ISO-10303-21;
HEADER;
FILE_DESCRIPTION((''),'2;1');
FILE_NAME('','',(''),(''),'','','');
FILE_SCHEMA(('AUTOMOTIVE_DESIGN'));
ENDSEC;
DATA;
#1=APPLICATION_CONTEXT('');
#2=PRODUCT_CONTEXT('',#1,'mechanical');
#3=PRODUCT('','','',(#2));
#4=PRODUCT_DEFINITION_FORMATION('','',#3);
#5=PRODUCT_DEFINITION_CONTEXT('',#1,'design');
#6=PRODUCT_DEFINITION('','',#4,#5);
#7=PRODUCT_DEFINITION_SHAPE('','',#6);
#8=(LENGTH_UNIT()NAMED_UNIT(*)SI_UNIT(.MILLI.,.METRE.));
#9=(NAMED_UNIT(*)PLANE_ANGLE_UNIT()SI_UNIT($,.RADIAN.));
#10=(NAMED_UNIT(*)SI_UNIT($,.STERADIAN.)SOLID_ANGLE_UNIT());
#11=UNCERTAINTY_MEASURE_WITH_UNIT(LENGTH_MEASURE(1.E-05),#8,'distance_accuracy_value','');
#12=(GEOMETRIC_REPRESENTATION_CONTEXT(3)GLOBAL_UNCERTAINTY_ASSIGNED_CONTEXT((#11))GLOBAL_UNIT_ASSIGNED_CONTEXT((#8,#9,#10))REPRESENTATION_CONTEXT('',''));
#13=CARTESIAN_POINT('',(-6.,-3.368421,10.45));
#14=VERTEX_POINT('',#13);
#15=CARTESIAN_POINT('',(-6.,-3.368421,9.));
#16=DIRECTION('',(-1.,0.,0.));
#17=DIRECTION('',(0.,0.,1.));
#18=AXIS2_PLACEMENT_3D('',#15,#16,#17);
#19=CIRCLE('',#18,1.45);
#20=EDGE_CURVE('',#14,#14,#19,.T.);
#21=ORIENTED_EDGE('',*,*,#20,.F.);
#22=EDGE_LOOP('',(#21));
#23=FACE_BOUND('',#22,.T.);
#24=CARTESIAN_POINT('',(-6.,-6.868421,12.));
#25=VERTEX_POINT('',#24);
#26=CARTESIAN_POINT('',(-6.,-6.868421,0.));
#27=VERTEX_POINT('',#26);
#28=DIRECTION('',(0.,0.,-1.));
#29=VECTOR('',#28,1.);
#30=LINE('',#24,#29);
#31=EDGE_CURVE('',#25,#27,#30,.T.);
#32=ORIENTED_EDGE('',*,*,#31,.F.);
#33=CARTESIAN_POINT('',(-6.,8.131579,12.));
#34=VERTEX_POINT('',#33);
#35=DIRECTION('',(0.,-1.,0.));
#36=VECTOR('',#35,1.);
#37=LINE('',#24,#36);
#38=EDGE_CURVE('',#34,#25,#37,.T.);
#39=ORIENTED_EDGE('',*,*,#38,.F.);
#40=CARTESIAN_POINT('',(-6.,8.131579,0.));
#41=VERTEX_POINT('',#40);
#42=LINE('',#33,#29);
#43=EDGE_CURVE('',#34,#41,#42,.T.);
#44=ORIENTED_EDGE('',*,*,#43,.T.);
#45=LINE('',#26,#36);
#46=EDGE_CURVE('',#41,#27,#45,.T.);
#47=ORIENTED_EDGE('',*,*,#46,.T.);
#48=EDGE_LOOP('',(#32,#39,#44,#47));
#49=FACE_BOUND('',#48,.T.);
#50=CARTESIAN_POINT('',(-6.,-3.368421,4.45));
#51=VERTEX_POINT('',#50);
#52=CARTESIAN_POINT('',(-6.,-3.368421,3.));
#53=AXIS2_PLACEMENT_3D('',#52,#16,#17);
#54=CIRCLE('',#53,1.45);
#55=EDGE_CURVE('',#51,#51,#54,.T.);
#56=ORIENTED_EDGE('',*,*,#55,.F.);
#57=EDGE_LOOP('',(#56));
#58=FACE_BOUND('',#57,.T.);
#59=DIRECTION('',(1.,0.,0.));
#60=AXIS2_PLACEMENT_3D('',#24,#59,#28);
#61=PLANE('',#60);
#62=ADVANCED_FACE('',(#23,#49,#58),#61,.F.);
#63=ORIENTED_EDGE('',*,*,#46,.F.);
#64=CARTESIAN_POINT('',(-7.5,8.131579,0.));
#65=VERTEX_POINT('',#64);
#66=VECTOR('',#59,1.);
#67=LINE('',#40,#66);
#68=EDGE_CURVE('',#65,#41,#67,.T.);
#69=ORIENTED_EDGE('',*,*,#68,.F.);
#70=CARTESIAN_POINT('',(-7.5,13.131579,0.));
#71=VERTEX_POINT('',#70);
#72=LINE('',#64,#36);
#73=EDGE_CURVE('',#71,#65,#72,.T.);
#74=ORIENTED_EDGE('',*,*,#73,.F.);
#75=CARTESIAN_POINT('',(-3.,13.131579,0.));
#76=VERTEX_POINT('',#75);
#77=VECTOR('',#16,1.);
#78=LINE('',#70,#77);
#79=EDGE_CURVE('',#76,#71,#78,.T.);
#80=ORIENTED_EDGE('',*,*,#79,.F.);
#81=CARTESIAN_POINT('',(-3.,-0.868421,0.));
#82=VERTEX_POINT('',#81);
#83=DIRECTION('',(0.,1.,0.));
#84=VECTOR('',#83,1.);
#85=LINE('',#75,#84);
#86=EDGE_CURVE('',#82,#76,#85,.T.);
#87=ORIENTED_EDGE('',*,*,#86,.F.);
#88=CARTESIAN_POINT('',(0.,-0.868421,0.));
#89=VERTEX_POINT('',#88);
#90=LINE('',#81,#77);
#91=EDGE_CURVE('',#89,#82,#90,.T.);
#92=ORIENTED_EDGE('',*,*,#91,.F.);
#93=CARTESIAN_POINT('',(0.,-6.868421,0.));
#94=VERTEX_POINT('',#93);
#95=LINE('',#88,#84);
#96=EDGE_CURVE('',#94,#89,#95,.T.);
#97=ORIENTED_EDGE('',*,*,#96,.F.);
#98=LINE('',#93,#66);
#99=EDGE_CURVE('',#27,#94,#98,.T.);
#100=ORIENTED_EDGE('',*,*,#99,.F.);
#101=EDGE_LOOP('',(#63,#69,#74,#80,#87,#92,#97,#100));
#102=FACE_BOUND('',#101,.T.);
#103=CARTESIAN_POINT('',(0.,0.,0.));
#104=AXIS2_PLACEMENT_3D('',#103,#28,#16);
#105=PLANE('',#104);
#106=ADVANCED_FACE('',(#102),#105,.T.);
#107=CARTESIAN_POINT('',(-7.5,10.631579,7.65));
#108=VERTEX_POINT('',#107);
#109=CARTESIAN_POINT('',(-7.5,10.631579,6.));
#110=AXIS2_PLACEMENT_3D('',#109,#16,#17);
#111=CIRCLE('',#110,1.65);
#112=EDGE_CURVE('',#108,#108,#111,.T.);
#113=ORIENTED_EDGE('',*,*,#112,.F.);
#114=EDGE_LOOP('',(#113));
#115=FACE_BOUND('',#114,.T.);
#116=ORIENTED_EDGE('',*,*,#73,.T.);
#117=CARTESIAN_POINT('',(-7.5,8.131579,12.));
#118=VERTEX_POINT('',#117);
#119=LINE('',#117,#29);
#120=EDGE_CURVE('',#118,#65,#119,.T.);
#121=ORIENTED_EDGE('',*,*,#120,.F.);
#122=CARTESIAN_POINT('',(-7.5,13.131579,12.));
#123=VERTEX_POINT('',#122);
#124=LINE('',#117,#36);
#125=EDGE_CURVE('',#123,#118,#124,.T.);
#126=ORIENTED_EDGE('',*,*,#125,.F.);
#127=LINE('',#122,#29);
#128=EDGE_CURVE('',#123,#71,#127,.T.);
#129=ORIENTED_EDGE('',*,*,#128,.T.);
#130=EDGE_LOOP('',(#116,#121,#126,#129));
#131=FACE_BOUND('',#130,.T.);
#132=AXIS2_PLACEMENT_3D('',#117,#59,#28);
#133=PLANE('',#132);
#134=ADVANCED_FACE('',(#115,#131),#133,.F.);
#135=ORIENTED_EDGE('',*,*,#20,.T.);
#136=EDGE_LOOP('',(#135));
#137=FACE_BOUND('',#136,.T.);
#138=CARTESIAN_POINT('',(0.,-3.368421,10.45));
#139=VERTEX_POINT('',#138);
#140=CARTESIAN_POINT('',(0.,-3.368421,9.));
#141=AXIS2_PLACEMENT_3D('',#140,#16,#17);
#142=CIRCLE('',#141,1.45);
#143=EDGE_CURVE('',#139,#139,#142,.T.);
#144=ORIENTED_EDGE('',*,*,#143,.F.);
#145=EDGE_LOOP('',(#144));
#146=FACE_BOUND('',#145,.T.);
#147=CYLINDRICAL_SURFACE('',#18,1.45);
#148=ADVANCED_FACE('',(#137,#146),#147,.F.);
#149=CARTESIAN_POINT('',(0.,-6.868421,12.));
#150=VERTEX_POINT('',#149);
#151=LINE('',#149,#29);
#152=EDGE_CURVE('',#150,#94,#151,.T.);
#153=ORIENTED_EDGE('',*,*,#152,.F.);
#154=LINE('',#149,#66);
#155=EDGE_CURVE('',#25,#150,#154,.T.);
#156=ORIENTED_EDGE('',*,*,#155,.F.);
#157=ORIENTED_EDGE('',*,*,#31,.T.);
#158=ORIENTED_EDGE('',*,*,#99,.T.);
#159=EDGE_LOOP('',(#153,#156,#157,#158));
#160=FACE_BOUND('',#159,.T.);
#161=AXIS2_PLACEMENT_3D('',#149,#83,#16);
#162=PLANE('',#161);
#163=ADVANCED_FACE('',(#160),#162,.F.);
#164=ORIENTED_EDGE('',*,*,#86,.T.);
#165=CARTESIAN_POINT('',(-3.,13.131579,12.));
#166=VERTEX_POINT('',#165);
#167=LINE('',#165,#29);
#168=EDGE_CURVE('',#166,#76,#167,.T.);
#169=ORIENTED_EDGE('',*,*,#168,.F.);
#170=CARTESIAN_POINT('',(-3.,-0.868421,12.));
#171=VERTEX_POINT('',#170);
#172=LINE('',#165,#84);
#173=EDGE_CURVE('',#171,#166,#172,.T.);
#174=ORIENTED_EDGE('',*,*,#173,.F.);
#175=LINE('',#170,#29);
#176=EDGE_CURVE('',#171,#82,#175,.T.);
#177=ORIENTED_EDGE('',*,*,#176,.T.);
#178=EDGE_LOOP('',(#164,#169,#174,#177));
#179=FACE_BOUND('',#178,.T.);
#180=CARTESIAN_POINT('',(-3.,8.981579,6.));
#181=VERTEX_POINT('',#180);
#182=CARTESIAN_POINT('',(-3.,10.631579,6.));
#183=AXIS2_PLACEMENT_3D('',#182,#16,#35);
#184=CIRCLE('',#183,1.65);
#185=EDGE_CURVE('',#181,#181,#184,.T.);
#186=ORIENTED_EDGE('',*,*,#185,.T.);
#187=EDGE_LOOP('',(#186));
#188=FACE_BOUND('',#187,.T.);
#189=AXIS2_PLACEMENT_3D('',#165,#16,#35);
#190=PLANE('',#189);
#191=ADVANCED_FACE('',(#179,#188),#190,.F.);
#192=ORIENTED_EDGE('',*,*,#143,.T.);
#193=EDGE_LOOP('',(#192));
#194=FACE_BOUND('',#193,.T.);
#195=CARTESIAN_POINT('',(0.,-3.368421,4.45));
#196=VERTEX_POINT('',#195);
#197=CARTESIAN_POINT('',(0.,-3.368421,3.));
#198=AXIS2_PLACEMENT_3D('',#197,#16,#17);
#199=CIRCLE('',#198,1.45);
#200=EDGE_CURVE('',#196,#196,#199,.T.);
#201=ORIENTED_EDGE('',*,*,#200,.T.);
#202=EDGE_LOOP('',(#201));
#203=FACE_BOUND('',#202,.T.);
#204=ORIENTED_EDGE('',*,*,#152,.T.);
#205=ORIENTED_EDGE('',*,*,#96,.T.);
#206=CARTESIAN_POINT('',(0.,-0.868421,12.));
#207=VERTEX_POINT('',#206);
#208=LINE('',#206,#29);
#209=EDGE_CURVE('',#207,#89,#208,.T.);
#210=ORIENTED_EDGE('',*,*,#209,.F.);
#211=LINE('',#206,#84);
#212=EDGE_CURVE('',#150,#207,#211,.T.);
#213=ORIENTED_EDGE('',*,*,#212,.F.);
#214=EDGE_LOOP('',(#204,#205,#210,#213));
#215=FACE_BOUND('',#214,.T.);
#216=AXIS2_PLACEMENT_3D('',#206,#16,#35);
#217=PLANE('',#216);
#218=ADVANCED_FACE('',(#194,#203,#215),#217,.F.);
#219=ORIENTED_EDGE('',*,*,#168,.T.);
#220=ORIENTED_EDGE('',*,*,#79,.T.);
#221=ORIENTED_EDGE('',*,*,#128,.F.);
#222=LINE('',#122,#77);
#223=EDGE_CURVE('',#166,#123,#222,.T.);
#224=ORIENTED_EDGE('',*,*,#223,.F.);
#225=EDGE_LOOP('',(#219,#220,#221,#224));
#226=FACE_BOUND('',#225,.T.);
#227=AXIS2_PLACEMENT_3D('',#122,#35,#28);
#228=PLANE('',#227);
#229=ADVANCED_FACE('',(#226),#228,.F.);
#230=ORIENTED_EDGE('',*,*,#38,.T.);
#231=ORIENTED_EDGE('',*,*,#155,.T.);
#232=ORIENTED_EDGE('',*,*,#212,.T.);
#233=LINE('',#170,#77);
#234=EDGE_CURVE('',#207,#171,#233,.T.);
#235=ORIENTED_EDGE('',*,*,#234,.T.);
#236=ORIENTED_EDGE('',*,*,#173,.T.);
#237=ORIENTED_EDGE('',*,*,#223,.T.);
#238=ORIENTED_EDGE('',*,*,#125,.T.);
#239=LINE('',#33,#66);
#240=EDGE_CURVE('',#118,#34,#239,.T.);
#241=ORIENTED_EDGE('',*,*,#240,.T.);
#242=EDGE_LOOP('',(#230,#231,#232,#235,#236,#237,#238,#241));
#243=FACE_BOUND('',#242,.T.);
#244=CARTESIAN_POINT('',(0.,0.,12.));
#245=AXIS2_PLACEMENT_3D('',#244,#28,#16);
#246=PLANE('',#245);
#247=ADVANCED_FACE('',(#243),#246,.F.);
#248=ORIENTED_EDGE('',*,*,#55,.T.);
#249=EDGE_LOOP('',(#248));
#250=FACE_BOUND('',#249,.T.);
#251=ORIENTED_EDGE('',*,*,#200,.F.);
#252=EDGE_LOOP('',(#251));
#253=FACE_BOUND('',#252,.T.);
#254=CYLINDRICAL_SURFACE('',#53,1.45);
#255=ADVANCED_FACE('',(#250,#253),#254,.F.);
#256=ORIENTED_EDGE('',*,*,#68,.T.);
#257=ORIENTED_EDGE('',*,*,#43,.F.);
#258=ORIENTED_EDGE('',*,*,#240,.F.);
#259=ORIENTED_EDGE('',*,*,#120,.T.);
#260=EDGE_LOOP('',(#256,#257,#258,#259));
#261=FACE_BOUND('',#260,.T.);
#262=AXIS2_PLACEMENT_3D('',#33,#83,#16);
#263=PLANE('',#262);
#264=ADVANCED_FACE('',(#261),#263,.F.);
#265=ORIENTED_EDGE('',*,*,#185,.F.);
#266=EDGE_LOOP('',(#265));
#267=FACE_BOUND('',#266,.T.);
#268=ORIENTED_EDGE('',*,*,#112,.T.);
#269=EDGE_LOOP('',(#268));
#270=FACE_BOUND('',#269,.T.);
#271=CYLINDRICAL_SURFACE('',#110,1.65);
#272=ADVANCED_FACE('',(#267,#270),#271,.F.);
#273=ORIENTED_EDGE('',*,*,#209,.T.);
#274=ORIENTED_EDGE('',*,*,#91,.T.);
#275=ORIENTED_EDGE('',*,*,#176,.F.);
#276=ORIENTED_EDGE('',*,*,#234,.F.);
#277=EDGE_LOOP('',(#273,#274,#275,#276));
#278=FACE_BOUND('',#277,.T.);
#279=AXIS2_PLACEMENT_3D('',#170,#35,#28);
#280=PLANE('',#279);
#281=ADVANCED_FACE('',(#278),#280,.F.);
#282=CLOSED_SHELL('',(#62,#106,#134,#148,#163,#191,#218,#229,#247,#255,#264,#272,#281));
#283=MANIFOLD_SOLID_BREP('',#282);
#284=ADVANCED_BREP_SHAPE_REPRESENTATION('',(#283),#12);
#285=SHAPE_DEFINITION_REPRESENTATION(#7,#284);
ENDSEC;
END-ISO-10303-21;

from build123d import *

# Parameters (mm, degrees)
BOSS_EXTRUDE1_DEPTH         = 12
M2_5_CLEARANCE_HOLE1_D      = 2.9
TAP_DRILL_FOR_M4X0_7_TAP1_D = 3.3


with BuildPart() as part:
    # Sketch1 → Boss-Extrude1 (new body)
    with BuildSketch(Plane.XY):
        Polygon((0, -6.868421053), (-6, -6.868421053), (-6, 8.131578947), (-7.5, 8.131578947), (-7.5, 13.131578947), (-3, 13.131578947), (-3, -0.868421053), (0, -0.868421053), align=None)
    extrude(amount=BOSS_EXTRUDE1_DEPTH)

    # M2.5 Clearance Hole1 (through all)
    with Locations(Plane.ZY.offset(6)):
        with Locations((3, -3.368421053), (9, -3.368421053)):
            Hole(M2_5_CLEARANCE_HOLE1_D / 2)

    # Tap Drill for M4x0.7 Tap1 (through all)
    with Locations(Plane.ZY.offset(7.5)):
        with Locations((6, 10.631578947)):
            Hole(TAP_DRILL_FOR_M4X0_7_TAP1_D / 2)


solid = part.part
